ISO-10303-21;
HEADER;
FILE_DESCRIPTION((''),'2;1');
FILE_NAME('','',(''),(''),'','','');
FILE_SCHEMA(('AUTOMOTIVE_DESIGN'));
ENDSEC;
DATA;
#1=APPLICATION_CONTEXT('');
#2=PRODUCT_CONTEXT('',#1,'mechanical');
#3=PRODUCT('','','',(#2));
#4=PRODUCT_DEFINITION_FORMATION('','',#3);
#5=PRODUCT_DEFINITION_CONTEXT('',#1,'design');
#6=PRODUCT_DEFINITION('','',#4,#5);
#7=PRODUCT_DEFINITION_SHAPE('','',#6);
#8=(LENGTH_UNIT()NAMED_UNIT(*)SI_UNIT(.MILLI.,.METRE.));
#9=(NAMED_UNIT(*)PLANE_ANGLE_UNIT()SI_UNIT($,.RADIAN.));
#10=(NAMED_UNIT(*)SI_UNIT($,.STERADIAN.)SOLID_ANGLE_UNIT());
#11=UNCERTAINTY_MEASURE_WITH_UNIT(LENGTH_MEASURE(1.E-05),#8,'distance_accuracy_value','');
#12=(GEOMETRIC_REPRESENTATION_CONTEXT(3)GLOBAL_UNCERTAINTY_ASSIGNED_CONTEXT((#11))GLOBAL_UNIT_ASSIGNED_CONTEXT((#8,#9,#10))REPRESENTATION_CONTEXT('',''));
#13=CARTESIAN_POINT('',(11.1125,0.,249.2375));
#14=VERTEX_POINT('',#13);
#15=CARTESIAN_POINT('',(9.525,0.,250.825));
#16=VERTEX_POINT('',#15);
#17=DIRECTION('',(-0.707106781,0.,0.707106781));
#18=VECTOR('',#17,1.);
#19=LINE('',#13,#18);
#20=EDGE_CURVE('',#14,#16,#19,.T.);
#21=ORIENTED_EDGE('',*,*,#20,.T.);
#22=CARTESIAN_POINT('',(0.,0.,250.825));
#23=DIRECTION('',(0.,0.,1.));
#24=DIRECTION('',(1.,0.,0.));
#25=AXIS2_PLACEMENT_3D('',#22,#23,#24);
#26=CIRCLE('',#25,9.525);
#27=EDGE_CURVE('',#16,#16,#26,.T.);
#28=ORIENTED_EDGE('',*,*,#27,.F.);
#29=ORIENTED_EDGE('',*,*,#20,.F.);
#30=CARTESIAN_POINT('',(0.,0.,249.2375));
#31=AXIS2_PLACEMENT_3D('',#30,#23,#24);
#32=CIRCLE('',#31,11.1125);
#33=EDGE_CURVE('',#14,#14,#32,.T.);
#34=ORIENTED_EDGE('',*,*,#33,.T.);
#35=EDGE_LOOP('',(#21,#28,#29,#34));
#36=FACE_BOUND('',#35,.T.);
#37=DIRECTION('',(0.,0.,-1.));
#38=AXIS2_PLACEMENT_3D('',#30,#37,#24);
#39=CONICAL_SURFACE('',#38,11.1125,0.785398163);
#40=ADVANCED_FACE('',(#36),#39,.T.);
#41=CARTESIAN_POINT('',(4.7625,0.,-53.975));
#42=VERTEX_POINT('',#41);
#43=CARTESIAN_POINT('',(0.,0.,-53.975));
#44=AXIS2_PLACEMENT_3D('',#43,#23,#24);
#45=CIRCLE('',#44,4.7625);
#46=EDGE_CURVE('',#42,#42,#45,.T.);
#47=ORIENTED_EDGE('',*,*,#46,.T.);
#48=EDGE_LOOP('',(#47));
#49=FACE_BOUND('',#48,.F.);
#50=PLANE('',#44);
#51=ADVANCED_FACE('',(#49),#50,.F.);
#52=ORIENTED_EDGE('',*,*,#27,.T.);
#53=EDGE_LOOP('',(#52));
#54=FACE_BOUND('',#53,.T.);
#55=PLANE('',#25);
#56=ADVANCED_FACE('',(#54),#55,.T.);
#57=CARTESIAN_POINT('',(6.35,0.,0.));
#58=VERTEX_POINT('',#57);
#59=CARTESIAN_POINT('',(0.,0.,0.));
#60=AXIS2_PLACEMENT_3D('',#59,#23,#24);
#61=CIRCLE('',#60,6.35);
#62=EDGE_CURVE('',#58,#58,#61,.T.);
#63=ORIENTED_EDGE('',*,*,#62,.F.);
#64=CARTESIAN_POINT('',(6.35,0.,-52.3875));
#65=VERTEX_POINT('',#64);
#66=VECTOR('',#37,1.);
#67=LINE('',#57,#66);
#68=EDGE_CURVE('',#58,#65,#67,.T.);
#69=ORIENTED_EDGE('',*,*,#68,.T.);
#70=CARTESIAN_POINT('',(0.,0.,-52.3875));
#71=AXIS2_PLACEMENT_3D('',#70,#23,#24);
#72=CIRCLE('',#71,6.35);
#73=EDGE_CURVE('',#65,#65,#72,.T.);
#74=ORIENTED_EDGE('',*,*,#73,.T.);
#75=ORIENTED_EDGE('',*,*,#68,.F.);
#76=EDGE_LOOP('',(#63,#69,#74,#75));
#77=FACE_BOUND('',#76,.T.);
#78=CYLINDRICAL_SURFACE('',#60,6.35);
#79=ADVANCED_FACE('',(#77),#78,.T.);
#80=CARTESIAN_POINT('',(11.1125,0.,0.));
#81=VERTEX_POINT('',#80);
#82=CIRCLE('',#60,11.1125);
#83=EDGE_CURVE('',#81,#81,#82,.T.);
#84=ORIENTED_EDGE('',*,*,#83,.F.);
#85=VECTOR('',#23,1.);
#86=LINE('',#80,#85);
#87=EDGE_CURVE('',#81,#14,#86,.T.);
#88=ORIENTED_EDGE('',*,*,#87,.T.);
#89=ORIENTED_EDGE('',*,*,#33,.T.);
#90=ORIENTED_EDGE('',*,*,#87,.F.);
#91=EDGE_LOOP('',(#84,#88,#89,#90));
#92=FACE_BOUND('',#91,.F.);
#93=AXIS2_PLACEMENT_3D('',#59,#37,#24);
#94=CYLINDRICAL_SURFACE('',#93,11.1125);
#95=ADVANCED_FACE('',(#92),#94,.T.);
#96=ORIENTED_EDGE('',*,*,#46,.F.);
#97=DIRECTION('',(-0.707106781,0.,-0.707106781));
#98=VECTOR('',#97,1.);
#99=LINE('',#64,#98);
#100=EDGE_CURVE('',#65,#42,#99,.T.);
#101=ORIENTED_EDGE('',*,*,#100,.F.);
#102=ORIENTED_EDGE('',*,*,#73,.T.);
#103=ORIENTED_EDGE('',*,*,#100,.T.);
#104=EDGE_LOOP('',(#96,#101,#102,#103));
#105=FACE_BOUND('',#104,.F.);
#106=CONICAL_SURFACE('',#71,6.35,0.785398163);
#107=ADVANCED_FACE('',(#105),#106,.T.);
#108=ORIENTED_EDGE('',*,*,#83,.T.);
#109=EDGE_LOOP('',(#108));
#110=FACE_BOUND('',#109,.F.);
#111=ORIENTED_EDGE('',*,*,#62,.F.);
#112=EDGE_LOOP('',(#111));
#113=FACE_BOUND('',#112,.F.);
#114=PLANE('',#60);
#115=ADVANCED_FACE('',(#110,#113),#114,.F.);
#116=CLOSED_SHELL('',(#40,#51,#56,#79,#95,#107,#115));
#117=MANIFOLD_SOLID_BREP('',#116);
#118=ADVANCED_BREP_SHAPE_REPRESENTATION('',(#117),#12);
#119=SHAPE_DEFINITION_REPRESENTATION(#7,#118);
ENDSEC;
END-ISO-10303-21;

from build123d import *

# Parameters (mm, degrees)
F0_R     = 11.1125
F0_R_2   = 6.35
F1_DEPTH = 250.825
F2_DEPTH = 53.975
F3_SIZE2 = 1.5875
F3_SIZE  = 1.5875


with BuildPart() as f1:
    # F0 (on Top) → F1 (new body)
    with BuildSketch(Plane.XY):
        Circle(F0_R)
        Circle(F0_R_2, mode=Mode.SUBTRACT)
        Circle(F0_R_2)
    extrude(amount=F1_DEPTH)

    # F0 (on Top) → F2 (join)
    with BuildSketch(Plane.XY):
        Circle(F0_R_2)
    extrude(amount=-F2_DEPTH)

    # F3
    f3_edges = [f1.edges().sort_by_distance(p)[0] for p in [
        (-11.1125, 0, 250.825),
        (-6.35, 0, -53.975),
    ]]
    chamfer(f3_edges, length=F3_SIZE, length2=F3_SIZE2)


solid = f1.part
